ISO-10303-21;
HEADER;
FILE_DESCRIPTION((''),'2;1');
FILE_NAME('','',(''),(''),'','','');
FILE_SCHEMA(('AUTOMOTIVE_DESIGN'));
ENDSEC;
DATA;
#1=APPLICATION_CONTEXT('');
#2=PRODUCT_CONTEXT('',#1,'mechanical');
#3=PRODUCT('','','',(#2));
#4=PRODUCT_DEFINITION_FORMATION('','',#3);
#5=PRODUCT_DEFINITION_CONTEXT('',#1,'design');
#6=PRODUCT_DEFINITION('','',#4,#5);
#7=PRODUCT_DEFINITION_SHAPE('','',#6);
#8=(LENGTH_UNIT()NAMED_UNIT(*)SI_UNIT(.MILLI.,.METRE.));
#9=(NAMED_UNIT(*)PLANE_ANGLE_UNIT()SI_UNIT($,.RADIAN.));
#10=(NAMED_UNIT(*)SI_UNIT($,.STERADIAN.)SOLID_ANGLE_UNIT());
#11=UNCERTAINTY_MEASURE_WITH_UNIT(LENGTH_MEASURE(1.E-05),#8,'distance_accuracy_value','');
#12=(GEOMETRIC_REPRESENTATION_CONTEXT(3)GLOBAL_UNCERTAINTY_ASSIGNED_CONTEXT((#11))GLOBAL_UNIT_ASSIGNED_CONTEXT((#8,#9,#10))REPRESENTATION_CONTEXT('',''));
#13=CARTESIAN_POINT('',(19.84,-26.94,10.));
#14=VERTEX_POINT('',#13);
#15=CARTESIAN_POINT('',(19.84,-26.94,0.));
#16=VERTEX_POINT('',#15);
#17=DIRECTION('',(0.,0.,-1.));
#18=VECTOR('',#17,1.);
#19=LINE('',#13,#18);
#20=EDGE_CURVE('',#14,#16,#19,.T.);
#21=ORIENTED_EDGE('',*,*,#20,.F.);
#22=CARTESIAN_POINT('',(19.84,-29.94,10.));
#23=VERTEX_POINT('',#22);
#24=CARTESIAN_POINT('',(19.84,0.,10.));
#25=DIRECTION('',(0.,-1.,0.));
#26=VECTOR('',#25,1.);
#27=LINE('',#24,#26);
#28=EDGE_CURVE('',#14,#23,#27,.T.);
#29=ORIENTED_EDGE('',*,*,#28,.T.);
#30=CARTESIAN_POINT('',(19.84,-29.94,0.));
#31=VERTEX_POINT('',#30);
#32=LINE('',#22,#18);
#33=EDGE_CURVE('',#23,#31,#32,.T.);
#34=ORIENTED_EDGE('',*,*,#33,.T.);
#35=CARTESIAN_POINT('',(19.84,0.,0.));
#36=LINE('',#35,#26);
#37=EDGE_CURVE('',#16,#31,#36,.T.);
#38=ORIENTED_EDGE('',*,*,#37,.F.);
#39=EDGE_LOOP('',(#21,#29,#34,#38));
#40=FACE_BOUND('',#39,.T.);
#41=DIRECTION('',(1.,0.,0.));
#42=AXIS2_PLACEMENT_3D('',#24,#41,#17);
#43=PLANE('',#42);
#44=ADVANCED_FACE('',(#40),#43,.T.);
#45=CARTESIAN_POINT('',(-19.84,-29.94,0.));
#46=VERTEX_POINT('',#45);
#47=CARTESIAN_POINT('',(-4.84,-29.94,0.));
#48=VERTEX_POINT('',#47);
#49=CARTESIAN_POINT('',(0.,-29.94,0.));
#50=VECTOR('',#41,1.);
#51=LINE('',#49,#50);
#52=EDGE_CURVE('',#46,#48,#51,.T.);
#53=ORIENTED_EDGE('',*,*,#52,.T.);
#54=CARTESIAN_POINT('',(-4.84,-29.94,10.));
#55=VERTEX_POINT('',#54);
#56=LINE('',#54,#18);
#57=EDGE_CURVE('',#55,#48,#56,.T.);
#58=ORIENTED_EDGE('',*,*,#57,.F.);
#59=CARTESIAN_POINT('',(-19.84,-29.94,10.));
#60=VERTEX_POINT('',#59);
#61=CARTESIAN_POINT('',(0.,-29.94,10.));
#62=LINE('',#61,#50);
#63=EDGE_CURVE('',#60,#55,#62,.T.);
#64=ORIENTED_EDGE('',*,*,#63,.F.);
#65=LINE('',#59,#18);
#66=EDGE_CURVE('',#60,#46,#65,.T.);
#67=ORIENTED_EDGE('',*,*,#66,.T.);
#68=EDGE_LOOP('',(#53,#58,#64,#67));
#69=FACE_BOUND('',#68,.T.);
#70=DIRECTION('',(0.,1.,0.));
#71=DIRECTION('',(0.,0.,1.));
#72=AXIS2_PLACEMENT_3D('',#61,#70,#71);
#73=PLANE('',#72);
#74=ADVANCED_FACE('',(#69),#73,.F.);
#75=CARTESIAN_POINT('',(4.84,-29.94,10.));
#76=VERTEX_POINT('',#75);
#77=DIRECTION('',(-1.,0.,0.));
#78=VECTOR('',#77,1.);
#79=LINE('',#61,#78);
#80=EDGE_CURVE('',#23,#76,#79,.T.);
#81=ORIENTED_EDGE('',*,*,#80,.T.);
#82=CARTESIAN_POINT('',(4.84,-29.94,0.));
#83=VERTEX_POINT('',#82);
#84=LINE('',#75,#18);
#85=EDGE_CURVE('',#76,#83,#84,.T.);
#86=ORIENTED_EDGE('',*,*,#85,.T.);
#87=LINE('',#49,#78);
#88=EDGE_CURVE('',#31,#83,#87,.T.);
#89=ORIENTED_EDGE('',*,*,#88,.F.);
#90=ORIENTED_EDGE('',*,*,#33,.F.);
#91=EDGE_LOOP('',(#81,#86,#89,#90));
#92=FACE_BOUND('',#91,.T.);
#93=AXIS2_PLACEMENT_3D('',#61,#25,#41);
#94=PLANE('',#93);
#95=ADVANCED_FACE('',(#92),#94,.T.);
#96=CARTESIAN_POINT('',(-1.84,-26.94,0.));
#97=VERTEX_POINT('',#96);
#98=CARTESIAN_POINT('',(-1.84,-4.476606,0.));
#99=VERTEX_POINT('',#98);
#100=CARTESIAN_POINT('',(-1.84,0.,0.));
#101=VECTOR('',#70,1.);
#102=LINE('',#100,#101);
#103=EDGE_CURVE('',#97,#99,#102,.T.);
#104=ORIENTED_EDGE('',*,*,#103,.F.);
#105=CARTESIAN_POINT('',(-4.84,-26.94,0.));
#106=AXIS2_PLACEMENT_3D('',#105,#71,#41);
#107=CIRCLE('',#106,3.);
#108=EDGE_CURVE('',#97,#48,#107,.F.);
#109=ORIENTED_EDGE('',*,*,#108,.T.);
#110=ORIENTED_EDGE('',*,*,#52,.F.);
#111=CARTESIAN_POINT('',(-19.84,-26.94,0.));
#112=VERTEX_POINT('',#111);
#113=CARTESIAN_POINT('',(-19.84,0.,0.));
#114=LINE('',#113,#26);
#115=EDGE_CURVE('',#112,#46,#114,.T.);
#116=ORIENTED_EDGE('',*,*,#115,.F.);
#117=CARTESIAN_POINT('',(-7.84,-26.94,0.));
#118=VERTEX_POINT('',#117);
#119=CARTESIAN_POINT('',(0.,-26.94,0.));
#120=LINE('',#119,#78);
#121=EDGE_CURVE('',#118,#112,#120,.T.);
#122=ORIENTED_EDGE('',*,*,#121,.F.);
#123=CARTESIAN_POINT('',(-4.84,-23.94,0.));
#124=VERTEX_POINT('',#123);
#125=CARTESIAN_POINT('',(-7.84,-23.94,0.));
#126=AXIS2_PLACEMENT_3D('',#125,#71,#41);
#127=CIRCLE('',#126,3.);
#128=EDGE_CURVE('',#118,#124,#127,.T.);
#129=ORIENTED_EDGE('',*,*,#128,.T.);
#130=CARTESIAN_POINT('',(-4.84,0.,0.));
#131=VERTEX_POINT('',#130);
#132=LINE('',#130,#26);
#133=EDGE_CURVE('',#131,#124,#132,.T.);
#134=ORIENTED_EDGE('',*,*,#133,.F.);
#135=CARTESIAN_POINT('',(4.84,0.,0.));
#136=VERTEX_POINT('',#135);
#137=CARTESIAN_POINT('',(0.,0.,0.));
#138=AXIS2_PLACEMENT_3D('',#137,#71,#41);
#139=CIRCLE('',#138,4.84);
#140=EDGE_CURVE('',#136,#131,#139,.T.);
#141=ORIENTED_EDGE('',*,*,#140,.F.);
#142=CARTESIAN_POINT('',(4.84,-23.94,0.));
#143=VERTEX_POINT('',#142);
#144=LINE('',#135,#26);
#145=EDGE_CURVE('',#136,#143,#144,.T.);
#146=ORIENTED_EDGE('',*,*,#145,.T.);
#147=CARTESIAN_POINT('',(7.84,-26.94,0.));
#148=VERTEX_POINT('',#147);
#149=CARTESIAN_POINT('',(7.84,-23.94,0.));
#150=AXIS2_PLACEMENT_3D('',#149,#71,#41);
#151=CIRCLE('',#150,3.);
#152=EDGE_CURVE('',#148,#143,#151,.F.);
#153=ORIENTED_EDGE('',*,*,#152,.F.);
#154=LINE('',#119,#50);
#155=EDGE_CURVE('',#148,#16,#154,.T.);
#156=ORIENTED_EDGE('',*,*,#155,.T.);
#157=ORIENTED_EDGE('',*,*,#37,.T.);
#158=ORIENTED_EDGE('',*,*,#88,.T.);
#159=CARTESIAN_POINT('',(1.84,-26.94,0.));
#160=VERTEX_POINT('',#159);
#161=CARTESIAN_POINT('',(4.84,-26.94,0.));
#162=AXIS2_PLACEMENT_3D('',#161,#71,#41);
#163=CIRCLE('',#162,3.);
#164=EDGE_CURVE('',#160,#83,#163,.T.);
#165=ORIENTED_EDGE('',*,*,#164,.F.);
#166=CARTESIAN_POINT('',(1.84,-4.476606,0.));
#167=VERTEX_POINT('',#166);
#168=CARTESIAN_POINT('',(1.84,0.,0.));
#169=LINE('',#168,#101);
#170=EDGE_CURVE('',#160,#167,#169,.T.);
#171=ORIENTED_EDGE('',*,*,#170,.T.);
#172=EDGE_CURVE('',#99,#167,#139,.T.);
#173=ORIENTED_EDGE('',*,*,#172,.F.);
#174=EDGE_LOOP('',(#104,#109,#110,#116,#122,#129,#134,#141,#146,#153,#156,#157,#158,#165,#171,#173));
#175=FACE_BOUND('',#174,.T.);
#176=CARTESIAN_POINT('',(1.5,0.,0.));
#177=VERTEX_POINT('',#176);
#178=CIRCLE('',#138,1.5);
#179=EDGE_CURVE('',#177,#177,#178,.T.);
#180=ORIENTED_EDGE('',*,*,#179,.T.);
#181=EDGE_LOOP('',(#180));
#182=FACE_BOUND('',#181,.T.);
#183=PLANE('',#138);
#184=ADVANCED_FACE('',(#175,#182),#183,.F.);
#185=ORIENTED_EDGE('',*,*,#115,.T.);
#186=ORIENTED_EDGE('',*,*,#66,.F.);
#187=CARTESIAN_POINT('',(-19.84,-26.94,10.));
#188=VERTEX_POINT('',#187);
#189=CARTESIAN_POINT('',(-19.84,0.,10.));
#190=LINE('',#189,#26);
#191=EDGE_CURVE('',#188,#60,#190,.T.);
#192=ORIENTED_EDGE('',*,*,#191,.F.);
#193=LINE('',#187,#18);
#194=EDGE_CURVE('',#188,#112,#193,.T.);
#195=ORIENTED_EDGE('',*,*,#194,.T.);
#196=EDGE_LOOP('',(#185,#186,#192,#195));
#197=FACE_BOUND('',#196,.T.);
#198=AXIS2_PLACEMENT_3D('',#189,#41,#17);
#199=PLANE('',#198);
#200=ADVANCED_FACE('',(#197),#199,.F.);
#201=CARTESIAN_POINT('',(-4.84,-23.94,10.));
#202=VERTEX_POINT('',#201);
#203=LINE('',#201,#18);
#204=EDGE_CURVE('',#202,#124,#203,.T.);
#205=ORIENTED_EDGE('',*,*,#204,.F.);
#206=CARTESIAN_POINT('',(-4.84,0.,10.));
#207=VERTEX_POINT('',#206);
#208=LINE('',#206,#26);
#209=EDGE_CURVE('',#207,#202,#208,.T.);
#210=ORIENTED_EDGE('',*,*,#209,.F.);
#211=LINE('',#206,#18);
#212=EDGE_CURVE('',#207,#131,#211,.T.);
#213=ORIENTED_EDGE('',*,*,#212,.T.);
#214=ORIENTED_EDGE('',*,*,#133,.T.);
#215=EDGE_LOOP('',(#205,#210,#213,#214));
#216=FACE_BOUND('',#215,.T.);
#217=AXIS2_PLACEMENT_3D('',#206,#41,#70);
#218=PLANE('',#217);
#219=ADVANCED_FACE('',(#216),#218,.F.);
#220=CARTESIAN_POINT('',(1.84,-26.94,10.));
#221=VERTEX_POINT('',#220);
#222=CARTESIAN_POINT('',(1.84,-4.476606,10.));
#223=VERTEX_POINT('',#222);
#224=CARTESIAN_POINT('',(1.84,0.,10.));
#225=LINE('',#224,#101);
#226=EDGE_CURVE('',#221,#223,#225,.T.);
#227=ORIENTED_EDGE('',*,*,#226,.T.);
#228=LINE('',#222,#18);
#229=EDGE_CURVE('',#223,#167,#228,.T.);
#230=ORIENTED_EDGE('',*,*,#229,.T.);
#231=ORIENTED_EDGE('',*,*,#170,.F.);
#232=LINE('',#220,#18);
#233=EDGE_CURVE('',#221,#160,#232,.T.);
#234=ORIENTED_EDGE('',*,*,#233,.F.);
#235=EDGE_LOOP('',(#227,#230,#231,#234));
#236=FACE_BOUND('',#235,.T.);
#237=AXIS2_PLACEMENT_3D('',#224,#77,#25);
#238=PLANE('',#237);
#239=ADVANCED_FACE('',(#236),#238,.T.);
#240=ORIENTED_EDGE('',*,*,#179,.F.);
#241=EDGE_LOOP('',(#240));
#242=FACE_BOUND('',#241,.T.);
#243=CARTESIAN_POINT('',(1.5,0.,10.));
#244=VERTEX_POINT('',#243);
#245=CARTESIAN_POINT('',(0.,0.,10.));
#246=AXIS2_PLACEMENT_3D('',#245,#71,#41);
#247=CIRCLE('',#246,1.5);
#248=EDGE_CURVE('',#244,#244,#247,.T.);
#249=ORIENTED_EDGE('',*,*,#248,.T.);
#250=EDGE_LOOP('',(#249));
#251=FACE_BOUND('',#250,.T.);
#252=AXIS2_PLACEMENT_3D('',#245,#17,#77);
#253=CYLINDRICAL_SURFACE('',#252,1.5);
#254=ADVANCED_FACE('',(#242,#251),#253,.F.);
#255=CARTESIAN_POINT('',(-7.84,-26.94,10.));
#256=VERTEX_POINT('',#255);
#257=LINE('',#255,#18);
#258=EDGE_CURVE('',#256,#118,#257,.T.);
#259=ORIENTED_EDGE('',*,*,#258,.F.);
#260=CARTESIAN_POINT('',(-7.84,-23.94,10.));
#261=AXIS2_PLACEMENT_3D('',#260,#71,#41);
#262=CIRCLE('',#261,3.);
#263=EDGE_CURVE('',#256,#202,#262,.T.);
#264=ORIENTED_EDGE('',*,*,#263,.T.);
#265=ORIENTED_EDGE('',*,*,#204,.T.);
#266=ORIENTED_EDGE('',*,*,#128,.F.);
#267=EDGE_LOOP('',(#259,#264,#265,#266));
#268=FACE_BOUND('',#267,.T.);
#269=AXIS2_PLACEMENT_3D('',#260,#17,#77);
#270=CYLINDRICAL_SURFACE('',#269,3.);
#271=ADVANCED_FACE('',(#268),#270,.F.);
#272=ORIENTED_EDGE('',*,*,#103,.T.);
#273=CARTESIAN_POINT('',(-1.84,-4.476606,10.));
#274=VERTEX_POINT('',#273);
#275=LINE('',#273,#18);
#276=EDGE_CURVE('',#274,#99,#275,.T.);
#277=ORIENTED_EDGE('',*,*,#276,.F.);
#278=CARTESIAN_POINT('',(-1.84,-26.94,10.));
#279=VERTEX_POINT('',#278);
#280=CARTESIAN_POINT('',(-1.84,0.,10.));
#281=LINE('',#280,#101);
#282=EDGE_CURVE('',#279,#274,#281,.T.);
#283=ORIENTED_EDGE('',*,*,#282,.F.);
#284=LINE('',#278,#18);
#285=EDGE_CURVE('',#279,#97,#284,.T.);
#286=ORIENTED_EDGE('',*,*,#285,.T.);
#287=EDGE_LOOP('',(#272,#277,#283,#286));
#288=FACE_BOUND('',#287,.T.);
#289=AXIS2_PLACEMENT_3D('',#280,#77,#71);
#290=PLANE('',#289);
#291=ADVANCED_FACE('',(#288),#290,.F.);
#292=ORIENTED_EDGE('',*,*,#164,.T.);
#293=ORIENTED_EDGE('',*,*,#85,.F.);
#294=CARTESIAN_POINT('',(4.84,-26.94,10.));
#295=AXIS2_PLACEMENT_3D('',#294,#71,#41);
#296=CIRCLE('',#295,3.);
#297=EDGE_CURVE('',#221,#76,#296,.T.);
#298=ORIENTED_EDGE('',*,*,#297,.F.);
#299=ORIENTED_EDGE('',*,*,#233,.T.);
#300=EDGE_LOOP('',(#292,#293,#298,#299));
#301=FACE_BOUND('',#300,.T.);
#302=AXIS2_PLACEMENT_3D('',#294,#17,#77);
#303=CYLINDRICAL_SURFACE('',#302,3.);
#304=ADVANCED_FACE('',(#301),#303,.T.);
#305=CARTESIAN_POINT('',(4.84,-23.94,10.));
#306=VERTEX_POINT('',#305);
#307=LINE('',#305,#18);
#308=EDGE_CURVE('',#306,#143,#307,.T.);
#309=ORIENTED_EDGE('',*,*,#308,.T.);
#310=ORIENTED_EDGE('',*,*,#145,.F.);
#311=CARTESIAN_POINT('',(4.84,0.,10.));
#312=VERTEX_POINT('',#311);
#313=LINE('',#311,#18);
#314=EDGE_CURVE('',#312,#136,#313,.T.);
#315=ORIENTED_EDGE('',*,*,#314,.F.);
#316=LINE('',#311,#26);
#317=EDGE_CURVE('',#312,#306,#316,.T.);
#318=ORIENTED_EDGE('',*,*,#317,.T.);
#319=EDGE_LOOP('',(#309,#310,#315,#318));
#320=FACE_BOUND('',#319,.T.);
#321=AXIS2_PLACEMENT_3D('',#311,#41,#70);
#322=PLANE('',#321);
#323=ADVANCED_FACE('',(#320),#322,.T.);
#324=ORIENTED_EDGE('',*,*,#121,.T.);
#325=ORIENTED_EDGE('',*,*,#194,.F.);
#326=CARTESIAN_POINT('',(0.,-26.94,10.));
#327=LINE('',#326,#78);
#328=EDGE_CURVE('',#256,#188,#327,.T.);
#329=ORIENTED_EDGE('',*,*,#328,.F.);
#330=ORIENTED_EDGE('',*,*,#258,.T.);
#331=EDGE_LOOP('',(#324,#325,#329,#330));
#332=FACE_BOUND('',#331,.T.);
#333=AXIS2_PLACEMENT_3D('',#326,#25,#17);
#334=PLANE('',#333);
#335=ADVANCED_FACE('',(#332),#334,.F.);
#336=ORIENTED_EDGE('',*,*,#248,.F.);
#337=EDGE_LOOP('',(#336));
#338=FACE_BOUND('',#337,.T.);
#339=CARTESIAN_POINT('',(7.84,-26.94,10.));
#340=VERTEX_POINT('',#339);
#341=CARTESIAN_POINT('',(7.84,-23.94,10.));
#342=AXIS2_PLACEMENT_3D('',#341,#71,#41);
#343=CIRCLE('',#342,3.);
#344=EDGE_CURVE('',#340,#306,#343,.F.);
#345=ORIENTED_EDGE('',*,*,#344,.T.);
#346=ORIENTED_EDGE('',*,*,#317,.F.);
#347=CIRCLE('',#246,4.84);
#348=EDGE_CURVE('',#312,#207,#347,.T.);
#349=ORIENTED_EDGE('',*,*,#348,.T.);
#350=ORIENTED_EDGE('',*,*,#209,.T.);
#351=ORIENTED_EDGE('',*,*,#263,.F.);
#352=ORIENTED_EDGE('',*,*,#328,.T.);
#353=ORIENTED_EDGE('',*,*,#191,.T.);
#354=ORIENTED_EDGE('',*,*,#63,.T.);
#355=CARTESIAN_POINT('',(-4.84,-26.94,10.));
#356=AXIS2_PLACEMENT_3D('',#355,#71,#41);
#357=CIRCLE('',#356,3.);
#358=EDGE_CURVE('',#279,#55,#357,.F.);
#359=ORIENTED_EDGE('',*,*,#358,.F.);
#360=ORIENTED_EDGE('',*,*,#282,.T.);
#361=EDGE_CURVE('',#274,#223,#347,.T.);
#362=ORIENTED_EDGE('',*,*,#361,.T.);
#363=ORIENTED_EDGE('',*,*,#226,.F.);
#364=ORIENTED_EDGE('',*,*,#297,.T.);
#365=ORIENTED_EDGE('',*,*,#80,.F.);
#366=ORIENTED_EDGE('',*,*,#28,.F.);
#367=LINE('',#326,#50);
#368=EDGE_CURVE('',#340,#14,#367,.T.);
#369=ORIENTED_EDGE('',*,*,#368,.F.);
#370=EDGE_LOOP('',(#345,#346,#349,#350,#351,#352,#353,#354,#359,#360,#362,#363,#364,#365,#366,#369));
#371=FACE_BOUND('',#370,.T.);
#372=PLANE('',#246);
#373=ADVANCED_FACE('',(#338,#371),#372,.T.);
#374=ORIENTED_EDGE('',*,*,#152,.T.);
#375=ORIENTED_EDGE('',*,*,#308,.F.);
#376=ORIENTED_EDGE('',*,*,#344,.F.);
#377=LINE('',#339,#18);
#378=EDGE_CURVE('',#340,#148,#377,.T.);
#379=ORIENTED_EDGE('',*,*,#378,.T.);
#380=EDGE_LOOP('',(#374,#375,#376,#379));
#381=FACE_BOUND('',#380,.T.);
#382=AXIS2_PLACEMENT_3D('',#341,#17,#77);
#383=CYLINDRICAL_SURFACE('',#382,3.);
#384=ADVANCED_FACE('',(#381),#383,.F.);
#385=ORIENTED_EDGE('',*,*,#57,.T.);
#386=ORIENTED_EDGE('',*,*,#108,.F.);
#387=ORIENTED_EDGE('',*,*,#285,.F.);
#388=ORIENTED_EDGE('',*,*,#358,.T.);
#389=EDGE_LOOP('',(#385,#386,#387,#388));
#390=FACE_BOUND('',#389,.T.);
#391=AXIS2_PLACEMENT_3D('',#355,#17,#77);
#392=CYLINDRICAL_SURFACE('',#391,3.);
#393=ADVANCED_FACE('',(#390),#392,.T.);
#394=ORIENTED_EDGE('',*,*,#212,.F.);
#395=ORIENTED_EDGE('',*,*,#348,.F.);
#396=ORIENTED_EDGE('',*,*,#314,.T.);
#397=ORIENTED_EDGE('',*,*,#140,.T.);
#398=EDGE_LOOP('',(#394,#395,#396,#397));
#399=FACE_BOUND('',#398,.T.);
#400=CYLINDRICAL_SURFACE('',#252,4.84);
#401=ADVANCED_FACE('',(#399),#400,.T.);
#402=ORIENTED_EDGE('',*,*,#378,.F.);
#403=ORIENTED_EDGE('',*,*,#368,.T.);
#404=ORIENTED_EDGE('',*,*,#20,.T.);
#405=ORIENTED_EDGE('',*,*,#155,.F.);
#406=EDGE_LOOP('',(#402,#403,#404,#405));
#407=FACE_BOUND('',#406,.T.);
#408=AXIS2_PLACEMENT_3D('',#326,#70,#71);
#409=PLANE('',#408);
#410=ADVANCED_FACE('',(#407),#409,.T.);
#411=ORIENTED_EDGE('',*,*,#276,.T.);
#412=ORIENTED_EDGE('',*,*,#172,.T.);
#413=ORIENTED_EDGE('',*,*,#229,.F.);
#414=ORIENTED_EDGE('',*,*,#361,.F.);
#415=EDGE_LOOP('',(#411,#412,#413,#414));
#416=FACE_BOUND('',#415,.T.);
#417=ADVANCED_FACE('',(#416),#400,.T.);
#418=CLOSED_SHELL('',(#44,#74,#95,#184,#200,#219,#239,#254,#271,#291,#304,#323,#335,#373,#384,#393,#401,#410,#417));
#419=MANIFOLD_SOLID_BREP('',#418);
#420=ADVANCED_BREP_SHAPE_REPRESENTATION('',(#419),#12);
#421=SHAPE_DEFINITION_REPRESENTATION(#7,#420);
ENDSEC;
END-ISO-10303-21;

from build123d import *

# Parameters (mm, degrees)
SKETCH1_R           = 1.5
BOSS_EXTRUDE1_DEPTH = 10


with BuildPart() as part:
    # Sketch1 → Boss-Extrude1 (new body)
    with BuildSketch(Plane.XY):
        with BuildLine():
            Line((-1.84, -26.94), (-1.84, -4.476605857))
            ThreePointArc((-1.84, -4.476605857), (0, -4.84), (1.84, -4.476605857))
            Line((1.84, -4.476605857), (1.84, -26.94))
            ThreePointArc((1.84, -26.94), (2.718679656, -29.061320344), (4.84, -29.94))
            Line((4.84, -29.94), (19.84, -29.94))
            Line((19.84, -29.94), (19.84, -26.94))
            Line((19.84, -26.94), (7.84, -26.94))
            ThreePointArc((7.84, -26.94), (5.718679656, -26.061320344), (4.84, -23.94))
            Line((4.84, -23.94), (4.84, 0))
            ThreePointArc((4.84, 0), (0, 4.84), (-4.84, 0))
            Line((-4.84, 0), (-4.84, -23.94))
            ThreePointArc((-4.84, -23.94), (-5.718679656, -26.061320344), (-7.84, -26.94))
            Line((-7.84, -26.94), (-19.84, -26.94))
            Line((-19.84, -26.94), (-19.84, -29.94))
            Line((-19.84, -29.94), (-4.84, -29.94))
            ThreePointArc((-4.84, -29.94), (-2.718679656, -29.061320344), (-1.84, -26.94))
        make_face()
        Circle(SKETCH1_R, mode=Mode.SUBTRACT)
    extrude(amount=BOSS_EXTRUDE1_DEPTH)


solid = part.part
